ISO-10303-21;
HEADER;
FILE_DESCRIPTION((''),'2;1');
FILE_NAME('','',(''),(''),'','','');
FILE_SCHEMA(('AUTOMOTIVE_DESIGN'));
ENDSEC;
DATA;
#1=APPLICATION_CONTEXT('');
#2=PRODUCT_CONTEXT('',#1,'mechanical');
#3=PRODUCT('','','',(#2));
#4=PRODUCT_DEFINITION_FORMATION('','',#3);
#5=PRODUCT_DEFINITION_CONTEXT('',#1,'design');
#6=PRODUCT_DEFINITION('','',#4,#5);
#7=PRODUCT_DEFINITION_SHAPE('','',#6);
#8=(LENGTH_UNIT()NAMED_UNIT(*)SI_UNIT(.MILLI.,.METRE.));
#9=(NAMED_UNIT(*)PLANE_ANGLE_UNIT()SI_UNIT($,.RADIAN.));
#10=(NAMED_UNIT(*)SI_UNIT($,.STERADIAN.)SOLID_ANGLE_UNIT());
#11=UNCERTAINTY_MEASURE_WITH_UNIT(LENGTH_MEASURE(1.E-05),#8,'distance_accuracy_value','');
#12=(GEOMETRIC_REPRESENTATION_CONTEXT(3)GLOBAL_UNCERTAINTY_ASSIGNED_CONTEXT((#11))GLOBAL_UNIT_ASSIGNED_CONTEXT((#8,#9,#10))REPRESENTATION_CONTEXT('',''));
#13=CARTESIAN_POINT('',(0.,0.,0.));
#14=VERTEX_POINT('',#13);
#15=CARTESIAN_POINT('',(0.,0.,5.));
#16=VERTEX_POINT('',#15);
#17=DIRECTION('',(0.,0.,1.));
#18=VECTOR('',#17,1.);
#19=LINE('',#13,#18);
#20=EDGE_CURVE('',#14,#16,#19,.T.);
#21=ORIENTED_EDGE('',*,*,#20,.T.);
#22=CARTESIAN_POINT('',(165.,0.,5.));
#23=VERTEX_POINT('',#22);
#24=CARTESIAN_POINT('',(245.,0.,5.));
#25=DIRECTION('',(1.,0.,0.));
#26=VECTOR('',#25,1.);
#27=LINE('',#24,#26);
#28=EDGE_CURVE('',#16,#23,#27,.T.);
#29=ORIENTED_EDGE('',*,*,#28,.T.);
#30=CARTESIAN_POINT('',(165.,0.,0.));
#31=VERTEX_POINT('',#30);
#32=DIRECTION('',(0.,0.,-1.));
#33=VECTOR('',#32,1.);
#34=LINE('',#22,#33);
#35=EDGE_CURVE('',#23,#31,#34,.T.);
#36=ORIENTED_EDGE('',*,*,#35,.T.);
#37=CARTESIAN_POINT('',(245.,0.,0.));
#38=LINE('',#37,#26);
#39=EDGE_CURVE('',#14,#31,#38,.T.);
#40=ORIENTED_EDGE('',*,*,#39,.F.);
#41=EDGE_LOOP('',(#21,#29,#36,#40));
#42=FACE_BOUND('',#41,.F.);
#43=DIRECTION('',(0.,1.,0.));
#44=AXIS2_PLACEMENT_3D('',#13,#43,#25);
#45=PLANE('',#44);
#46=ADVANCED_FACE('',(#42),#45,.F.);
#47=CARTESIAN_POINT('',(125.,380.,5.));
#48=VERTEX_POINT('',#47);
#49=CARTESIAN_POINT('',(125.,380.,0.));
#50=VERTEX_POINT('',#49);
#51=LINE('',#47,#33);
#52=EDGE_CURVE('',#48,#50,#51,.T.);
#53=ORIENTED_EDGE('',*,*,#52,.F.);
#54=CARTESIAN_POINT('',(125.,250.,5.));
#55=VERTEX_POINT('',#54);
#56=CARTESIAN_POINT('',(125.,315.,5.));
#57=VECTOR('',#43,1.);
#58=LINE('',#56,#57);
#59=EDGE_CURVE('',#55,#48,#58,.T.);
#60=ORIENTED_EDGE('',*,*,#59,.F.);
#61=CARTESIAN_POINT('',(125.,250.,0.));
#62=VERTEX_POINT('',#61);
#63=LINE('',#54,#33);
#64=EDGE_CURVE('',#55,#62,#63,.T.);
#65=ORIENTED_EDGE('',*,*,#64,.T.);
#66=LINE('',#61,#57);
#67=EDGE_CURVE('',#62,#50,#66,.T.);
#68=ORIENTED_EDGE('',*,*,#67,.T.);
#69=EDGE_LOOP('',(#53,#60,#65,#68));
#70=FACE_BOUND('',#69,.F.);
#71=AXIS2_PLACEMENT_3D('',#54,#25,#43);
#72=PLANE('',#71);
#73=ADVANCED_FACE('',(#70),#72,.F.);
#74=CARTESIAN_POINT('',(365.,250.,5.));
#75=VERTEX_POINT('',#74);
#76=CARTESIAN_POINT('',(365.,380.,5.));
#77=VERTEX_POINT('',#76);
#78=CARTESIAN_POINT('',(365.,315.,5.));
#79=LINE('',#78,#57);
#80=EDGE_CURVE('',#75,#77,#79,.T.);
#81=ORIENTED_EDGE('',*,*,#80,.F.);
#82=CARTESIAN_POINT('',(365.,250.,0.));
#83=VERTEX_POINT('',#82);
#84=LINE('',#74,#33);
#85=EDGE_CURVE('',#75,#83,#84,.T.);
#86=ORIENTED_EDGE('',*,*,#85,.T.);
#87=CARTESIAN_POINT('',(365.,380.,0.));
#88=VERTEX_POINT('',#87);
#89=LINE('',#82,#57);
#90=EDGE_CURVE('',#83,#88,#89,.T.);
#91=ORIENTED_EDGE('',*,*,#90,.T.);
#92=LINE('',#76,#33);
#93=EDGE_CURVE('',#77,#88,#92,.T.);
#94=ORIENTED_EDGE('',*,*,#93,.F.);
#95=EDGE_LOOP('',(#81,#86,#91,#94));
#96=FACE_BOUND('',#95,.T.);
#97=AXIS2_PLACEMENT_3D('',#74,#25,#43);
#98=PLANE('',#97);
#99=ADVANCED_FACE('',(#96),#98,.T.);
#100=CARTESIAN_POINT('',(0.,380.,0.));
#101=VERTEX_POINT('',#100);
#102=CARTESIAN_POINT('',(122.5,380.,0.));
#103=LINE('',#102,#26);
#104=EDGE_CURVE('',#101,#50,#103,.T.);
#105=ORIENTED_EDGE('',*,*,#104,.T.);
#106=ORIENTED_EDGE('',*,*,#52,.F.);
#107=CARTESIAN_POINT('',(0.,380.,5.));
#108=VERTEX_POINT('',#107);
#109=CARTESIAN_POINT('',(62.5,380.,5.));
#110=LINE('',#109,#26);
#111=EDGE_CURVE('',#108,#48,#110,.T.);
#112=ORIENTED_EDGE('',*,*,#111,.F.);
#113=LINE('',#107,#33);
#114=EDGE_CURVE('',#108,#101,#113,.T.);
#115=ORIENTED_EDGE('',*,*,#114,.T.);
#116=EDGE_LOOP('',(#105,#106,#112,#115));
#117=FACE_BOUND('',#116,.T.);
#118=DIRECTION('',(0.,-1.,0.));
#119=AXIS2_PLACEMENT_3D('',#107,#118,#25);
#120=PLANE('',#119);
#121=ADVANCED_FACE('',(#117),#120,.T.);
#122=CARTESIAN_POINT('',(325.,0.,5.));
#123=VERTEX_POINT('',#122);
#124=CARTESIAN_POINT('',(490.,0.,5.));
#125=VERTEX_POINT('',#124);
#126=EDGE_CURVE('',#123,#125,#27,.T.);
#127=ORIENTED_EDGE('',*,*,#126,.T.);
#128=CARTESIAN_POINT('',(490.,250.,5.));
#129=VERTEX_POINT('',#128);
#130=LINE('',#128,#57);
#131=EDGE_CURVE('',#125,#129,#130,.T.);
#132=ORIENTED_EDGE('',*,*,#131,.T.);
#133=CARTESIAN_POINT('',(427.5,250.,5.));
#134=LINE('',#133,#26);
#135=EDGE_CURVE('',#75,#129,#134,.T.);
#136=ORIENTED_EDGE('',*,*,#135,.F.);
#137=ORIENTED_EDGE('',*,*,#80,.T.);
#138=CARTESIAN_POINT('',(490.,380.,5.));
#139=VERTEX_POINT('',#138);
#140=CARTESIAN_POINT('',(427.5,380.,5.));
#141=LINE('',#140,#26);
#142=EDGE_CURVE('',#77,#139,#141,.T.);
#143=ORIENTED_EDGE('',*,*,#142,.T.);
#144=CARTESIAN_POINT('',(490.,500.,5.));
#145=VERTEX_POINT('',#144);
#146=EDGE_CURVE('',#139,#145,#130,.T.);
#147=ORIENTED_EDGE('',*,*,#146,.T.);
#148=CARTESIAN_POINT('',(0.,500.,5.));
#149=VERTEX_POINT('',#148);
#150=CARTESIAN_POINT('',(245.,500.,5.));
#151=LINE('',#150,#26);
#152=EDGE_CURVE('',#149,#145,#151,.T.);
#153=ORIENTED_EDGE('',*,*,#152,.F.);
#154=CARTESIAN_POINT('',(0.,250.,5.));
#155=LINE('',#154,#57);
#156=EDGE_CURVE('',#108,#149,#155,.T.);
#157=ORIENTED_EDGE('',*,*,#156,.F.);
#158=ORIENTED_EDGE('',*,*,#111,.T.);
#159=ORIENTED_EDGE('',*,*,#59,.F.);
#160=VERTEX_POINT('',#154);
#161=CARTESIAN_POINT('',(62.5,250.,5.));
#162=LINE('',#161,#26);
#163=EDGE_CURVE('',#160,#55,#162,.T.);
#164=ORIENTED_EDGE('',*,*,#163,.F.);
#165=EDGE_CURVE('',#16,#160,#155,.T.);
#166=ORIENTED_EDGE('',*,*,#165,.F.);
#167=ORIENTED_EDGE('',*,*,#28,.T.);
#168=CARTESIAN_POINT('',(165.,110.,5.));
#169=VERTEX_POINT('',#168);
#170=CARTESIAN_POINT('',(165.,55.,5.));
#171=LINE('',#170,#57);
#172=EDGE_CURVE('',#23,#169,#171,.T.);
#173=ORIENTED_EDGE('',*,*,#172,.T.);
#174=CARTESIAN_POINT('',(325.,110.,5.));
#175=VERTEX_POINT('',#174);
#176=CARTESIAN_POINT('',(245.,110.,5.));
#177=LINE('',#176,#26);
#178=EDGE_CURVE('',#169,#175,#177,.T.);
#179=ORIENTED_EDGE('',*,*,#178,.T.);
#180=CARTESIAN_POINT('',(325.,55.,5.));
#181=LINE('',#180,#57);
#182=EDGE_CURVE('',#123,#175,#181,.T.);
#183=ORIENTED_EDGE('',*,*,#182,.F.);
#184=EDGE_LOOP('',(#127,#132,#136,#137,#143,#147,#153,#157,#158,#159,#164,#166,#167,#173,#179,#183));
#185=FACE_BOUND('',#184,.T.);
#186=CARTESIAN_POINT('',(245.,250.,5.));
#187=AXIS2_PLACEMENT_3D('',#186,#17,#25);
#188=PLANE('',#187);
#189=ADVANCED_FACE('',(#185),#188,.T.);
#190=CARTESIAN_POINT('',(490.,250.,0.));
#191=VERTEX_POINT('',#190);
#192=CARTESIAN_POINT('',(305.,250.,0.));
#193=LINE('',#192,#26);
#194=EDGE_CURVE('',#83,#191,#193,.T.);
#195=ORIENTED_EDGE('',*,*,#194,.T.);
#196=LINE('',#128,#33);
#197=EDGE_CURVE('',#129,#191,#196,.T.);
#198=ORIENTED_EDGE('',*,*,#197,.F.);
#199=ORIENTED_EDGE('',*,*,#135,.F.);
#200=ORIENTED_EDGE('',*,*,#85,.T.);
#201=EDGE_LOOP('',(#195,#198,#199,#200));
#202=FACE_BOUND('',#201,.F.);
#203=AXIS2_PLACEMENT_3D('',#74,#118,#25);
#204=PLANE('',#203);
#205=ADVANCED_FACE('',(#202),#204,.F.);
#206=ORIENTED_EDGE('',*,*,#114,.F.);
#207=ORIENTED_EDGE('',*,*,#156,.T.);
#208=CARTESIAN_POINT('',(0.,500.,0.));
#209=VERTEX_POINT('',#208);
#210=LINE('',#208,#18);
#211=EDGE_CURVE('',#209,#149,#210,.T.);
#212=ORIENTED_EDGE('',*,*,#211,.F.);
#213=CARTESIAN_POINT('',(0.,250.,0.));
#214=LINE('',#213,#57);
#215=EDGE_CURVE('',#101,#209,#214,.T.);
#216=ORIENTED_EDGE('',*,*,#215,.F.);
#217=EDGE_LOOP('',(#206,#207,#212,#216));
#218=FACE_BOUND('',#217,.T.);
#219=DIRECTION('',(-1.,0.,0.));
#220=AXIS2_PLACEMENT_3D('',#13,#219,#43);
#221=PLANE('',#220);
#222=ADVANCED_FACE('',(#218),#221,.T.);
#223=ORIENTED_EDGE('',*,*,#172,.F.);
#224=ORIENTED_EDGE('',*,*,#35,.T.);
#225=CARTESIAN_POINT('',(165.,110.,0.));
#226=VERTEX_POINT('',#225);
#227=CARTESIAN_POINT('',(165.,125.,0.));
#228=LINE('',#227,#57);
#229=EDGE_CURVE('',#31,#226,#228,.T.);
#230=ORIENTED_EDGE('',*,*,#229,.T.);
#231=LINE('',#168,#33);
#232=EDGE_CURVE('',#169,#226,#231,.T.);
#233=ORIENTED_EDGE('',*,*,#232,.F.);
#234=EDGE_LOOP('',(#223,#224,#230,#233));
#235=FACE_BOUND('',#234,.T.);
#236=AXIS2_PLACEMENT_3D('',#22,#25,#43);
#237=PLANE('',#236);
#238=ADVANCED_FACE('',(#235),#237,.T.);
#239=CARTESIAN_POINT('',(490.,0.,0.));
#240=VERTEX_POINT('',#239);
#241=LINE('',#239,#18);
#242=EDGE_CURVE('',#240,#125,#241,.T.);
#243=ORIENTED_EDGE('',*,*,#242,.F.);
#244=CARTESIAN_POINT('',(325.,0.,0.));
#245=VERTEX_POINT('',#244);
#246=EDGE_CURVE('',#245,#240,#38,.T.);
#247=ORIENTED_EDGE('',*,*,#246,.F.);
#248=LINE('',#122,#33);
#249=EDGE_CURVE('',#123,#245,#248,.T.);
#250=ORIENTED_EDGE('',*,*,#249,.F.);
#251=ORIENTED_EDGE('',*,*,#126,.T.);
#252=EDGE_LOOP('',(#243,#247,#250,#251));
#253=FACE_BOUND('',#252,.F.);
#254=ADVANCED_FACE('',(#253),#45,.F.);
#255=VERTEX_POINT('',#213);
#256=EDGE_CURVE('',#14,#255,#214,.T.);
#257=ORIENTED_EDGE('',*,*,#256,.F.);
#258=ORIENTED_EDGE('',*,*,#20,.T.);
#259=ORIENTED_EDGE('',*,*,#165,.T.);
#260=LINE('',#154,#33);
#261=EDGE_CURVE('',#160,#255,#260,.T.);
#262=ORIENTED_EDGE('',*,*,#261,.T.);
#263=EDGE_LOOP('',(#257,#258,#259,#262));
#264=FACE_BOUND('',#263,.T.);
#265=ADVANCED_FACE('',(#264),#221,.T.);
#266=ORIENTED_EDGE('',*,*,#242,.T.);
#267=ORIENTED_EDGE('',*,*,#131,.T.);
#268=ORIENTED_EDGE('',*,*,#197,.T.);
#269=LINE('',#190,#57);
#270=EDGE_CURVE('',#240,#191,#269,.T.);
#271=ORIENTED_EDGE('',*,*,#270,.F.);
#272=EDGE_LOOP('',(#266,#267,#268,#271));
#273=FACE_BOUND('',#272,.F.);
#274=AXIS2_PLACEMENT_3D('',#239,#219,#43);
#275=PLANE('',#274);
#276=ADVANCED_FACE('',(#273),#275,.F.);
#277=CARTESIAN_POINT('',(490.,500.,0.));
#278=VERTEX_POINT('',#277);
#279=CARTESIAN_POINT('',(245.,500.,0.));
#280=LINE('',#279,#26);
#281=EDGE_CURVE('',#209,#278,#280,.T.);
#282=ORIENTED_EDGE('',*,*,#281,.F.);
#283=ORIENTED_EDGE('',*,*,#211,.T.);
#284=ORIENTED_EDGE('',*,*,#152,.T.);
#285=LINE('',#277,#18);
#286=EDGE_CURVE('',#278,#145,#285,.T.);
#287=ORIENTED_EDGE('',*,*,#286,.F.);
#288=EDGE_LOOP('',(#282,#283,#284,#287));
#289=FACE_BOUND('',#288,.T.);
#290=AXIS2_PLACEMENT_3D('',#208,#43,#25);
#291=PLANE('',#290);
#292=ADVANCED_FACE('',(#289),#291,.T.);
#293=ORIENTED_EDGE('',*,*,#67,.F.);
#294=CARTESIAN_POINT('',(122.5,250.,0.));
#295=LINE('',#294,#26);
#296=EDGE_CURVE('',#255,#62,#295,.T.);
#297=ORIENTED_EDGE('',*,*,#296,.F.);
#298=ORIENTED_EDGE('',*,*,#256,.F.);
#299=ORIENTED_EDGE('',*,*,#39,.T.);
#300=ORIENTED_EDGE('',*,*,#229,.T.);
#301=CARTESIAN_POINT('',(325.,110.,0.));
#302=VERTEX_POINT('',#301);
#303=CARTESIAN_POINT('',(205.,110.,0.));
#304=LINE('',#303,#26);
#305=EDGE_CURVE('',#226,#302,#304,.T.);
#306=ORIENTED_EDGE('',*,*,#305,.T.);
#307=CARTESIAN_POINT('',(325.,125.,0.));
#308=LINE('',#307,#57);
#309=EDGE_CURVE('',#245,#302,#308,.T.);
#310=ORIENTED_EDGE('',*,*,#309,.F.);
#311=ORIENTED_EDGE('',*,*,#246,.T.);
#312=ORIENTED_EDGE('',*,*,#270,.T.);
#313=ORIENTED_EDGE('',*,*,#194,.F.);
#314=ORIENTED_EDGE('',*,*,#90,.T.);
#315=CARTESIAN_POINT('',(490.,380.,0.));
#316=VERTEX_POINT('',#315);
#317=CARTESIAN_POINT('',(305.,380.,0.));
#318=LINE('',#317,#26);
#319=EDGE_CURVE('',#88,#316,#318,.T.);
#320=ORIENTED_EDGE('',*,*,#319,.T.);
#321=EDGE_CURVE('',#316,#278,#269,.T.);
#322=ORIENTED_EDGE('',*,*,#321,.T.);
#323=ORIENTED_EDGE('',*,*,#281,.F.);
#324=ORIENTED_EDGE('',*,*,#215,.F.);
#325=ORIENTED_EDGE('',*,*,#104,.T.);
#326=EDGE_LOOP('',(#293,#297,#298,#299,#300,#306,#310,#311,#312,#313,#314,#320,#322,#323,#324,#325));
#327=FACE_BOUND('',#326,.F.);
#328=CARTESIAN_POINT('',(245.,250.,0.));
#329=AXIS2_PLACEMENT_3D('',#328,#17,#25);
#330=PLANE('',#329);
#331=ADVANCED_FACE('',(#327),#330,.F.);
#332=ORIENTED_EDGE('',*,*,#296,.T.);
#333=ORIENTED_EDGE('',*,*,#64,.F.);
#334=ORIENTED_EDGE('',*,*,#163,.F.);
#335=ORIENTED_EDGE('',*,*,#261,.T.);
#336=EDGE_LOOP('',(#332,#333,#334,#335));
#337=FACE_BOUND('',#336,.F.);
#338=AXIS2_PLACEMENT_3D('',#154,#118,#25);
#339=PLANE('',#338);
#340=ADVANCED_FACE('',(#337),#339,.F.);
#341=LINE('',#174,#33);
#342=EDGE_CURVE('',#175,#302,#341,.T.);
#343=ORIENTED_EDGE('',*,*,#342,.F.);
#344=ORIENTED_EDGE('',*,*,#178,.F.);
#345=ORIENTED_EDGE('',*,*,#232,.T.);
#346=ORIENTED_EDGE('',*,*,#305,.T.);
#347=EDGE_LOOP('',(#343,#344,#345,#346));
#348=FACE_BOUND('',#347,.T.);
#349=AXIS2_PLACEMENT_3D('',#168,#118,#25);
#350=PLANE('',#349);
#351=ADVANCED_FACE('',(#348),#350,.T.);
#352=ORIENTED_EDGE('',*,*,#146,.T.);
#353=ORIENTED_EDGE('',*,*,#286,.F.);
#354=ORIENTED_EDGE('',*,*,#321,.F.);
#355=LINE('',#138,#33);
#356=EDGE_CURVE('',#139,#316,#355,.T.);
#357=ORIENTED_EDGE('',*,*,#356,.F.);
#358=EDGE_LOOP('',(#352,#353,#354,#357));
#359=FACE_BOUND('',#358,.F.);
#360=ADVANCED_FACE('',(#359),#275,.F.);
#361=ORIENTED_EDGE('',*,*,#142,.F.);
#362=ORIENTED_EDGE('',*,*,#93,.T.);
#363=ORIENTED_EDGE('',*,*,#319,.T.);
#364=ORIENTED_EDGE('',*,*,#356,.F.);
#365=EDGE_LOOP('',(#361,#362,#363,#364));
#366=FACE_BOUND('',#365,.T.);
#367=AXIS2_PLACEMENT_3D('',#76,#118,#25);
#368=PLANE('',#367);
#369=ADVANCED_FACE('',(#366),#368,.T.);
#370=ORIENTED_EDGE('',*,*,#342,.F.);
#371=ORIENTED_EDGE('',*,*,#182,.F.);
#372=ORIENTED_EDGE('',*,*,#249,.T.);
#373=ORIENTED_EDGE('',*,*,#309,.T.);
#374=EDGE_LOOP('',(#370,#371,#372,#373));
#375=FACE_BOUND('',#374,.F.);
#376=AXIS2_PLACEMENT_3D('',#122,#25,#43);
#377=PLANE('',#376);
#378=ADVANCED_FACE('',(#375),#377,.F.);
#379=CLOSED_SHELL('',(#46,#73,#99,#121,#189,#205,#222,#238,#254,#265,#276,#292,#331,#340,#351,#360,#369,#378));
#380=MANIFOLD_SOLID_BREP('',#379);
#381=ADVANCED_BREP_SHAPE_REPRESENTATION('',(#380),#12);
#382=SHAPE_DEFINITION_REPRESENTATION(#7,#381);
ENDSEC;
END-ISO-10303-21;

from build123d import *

# Parameters (mm, degrees)
F0_W     = 490
F0_H     = 500
F1_DEPTH = 5
F2_W     = 160
F2_H     = 110
F2_W_2   = 125
F2_H_2   = 130
F3_DEPTH = 25


with BuildPart() as f1:
    # F0 (on Top) → F1 (new body)
    with BuildSketch(Plane.XY):
        with Locations((245, 250)):
            Rectangle(F0_W, F0_H)
    extrude(amount=F1_DEPTH)

    # F2 (on face) → F3 (cut)
    with BuildSketch(Plane.XY.offset(5)):
        with Locations((245, 55)):
            Rectangle(F2_W, F2_H)
        with Locations((62.5, 315)):
            Rectangle(F2_W_2, F2_H_2)
        with Locations((427.5, 315)):
            Rectangle(F2_W_2, F2_H_2)
    extrude(amount=-F3_DEPTH, mode=Mode.SUBTRACT)


solid = f1.part
